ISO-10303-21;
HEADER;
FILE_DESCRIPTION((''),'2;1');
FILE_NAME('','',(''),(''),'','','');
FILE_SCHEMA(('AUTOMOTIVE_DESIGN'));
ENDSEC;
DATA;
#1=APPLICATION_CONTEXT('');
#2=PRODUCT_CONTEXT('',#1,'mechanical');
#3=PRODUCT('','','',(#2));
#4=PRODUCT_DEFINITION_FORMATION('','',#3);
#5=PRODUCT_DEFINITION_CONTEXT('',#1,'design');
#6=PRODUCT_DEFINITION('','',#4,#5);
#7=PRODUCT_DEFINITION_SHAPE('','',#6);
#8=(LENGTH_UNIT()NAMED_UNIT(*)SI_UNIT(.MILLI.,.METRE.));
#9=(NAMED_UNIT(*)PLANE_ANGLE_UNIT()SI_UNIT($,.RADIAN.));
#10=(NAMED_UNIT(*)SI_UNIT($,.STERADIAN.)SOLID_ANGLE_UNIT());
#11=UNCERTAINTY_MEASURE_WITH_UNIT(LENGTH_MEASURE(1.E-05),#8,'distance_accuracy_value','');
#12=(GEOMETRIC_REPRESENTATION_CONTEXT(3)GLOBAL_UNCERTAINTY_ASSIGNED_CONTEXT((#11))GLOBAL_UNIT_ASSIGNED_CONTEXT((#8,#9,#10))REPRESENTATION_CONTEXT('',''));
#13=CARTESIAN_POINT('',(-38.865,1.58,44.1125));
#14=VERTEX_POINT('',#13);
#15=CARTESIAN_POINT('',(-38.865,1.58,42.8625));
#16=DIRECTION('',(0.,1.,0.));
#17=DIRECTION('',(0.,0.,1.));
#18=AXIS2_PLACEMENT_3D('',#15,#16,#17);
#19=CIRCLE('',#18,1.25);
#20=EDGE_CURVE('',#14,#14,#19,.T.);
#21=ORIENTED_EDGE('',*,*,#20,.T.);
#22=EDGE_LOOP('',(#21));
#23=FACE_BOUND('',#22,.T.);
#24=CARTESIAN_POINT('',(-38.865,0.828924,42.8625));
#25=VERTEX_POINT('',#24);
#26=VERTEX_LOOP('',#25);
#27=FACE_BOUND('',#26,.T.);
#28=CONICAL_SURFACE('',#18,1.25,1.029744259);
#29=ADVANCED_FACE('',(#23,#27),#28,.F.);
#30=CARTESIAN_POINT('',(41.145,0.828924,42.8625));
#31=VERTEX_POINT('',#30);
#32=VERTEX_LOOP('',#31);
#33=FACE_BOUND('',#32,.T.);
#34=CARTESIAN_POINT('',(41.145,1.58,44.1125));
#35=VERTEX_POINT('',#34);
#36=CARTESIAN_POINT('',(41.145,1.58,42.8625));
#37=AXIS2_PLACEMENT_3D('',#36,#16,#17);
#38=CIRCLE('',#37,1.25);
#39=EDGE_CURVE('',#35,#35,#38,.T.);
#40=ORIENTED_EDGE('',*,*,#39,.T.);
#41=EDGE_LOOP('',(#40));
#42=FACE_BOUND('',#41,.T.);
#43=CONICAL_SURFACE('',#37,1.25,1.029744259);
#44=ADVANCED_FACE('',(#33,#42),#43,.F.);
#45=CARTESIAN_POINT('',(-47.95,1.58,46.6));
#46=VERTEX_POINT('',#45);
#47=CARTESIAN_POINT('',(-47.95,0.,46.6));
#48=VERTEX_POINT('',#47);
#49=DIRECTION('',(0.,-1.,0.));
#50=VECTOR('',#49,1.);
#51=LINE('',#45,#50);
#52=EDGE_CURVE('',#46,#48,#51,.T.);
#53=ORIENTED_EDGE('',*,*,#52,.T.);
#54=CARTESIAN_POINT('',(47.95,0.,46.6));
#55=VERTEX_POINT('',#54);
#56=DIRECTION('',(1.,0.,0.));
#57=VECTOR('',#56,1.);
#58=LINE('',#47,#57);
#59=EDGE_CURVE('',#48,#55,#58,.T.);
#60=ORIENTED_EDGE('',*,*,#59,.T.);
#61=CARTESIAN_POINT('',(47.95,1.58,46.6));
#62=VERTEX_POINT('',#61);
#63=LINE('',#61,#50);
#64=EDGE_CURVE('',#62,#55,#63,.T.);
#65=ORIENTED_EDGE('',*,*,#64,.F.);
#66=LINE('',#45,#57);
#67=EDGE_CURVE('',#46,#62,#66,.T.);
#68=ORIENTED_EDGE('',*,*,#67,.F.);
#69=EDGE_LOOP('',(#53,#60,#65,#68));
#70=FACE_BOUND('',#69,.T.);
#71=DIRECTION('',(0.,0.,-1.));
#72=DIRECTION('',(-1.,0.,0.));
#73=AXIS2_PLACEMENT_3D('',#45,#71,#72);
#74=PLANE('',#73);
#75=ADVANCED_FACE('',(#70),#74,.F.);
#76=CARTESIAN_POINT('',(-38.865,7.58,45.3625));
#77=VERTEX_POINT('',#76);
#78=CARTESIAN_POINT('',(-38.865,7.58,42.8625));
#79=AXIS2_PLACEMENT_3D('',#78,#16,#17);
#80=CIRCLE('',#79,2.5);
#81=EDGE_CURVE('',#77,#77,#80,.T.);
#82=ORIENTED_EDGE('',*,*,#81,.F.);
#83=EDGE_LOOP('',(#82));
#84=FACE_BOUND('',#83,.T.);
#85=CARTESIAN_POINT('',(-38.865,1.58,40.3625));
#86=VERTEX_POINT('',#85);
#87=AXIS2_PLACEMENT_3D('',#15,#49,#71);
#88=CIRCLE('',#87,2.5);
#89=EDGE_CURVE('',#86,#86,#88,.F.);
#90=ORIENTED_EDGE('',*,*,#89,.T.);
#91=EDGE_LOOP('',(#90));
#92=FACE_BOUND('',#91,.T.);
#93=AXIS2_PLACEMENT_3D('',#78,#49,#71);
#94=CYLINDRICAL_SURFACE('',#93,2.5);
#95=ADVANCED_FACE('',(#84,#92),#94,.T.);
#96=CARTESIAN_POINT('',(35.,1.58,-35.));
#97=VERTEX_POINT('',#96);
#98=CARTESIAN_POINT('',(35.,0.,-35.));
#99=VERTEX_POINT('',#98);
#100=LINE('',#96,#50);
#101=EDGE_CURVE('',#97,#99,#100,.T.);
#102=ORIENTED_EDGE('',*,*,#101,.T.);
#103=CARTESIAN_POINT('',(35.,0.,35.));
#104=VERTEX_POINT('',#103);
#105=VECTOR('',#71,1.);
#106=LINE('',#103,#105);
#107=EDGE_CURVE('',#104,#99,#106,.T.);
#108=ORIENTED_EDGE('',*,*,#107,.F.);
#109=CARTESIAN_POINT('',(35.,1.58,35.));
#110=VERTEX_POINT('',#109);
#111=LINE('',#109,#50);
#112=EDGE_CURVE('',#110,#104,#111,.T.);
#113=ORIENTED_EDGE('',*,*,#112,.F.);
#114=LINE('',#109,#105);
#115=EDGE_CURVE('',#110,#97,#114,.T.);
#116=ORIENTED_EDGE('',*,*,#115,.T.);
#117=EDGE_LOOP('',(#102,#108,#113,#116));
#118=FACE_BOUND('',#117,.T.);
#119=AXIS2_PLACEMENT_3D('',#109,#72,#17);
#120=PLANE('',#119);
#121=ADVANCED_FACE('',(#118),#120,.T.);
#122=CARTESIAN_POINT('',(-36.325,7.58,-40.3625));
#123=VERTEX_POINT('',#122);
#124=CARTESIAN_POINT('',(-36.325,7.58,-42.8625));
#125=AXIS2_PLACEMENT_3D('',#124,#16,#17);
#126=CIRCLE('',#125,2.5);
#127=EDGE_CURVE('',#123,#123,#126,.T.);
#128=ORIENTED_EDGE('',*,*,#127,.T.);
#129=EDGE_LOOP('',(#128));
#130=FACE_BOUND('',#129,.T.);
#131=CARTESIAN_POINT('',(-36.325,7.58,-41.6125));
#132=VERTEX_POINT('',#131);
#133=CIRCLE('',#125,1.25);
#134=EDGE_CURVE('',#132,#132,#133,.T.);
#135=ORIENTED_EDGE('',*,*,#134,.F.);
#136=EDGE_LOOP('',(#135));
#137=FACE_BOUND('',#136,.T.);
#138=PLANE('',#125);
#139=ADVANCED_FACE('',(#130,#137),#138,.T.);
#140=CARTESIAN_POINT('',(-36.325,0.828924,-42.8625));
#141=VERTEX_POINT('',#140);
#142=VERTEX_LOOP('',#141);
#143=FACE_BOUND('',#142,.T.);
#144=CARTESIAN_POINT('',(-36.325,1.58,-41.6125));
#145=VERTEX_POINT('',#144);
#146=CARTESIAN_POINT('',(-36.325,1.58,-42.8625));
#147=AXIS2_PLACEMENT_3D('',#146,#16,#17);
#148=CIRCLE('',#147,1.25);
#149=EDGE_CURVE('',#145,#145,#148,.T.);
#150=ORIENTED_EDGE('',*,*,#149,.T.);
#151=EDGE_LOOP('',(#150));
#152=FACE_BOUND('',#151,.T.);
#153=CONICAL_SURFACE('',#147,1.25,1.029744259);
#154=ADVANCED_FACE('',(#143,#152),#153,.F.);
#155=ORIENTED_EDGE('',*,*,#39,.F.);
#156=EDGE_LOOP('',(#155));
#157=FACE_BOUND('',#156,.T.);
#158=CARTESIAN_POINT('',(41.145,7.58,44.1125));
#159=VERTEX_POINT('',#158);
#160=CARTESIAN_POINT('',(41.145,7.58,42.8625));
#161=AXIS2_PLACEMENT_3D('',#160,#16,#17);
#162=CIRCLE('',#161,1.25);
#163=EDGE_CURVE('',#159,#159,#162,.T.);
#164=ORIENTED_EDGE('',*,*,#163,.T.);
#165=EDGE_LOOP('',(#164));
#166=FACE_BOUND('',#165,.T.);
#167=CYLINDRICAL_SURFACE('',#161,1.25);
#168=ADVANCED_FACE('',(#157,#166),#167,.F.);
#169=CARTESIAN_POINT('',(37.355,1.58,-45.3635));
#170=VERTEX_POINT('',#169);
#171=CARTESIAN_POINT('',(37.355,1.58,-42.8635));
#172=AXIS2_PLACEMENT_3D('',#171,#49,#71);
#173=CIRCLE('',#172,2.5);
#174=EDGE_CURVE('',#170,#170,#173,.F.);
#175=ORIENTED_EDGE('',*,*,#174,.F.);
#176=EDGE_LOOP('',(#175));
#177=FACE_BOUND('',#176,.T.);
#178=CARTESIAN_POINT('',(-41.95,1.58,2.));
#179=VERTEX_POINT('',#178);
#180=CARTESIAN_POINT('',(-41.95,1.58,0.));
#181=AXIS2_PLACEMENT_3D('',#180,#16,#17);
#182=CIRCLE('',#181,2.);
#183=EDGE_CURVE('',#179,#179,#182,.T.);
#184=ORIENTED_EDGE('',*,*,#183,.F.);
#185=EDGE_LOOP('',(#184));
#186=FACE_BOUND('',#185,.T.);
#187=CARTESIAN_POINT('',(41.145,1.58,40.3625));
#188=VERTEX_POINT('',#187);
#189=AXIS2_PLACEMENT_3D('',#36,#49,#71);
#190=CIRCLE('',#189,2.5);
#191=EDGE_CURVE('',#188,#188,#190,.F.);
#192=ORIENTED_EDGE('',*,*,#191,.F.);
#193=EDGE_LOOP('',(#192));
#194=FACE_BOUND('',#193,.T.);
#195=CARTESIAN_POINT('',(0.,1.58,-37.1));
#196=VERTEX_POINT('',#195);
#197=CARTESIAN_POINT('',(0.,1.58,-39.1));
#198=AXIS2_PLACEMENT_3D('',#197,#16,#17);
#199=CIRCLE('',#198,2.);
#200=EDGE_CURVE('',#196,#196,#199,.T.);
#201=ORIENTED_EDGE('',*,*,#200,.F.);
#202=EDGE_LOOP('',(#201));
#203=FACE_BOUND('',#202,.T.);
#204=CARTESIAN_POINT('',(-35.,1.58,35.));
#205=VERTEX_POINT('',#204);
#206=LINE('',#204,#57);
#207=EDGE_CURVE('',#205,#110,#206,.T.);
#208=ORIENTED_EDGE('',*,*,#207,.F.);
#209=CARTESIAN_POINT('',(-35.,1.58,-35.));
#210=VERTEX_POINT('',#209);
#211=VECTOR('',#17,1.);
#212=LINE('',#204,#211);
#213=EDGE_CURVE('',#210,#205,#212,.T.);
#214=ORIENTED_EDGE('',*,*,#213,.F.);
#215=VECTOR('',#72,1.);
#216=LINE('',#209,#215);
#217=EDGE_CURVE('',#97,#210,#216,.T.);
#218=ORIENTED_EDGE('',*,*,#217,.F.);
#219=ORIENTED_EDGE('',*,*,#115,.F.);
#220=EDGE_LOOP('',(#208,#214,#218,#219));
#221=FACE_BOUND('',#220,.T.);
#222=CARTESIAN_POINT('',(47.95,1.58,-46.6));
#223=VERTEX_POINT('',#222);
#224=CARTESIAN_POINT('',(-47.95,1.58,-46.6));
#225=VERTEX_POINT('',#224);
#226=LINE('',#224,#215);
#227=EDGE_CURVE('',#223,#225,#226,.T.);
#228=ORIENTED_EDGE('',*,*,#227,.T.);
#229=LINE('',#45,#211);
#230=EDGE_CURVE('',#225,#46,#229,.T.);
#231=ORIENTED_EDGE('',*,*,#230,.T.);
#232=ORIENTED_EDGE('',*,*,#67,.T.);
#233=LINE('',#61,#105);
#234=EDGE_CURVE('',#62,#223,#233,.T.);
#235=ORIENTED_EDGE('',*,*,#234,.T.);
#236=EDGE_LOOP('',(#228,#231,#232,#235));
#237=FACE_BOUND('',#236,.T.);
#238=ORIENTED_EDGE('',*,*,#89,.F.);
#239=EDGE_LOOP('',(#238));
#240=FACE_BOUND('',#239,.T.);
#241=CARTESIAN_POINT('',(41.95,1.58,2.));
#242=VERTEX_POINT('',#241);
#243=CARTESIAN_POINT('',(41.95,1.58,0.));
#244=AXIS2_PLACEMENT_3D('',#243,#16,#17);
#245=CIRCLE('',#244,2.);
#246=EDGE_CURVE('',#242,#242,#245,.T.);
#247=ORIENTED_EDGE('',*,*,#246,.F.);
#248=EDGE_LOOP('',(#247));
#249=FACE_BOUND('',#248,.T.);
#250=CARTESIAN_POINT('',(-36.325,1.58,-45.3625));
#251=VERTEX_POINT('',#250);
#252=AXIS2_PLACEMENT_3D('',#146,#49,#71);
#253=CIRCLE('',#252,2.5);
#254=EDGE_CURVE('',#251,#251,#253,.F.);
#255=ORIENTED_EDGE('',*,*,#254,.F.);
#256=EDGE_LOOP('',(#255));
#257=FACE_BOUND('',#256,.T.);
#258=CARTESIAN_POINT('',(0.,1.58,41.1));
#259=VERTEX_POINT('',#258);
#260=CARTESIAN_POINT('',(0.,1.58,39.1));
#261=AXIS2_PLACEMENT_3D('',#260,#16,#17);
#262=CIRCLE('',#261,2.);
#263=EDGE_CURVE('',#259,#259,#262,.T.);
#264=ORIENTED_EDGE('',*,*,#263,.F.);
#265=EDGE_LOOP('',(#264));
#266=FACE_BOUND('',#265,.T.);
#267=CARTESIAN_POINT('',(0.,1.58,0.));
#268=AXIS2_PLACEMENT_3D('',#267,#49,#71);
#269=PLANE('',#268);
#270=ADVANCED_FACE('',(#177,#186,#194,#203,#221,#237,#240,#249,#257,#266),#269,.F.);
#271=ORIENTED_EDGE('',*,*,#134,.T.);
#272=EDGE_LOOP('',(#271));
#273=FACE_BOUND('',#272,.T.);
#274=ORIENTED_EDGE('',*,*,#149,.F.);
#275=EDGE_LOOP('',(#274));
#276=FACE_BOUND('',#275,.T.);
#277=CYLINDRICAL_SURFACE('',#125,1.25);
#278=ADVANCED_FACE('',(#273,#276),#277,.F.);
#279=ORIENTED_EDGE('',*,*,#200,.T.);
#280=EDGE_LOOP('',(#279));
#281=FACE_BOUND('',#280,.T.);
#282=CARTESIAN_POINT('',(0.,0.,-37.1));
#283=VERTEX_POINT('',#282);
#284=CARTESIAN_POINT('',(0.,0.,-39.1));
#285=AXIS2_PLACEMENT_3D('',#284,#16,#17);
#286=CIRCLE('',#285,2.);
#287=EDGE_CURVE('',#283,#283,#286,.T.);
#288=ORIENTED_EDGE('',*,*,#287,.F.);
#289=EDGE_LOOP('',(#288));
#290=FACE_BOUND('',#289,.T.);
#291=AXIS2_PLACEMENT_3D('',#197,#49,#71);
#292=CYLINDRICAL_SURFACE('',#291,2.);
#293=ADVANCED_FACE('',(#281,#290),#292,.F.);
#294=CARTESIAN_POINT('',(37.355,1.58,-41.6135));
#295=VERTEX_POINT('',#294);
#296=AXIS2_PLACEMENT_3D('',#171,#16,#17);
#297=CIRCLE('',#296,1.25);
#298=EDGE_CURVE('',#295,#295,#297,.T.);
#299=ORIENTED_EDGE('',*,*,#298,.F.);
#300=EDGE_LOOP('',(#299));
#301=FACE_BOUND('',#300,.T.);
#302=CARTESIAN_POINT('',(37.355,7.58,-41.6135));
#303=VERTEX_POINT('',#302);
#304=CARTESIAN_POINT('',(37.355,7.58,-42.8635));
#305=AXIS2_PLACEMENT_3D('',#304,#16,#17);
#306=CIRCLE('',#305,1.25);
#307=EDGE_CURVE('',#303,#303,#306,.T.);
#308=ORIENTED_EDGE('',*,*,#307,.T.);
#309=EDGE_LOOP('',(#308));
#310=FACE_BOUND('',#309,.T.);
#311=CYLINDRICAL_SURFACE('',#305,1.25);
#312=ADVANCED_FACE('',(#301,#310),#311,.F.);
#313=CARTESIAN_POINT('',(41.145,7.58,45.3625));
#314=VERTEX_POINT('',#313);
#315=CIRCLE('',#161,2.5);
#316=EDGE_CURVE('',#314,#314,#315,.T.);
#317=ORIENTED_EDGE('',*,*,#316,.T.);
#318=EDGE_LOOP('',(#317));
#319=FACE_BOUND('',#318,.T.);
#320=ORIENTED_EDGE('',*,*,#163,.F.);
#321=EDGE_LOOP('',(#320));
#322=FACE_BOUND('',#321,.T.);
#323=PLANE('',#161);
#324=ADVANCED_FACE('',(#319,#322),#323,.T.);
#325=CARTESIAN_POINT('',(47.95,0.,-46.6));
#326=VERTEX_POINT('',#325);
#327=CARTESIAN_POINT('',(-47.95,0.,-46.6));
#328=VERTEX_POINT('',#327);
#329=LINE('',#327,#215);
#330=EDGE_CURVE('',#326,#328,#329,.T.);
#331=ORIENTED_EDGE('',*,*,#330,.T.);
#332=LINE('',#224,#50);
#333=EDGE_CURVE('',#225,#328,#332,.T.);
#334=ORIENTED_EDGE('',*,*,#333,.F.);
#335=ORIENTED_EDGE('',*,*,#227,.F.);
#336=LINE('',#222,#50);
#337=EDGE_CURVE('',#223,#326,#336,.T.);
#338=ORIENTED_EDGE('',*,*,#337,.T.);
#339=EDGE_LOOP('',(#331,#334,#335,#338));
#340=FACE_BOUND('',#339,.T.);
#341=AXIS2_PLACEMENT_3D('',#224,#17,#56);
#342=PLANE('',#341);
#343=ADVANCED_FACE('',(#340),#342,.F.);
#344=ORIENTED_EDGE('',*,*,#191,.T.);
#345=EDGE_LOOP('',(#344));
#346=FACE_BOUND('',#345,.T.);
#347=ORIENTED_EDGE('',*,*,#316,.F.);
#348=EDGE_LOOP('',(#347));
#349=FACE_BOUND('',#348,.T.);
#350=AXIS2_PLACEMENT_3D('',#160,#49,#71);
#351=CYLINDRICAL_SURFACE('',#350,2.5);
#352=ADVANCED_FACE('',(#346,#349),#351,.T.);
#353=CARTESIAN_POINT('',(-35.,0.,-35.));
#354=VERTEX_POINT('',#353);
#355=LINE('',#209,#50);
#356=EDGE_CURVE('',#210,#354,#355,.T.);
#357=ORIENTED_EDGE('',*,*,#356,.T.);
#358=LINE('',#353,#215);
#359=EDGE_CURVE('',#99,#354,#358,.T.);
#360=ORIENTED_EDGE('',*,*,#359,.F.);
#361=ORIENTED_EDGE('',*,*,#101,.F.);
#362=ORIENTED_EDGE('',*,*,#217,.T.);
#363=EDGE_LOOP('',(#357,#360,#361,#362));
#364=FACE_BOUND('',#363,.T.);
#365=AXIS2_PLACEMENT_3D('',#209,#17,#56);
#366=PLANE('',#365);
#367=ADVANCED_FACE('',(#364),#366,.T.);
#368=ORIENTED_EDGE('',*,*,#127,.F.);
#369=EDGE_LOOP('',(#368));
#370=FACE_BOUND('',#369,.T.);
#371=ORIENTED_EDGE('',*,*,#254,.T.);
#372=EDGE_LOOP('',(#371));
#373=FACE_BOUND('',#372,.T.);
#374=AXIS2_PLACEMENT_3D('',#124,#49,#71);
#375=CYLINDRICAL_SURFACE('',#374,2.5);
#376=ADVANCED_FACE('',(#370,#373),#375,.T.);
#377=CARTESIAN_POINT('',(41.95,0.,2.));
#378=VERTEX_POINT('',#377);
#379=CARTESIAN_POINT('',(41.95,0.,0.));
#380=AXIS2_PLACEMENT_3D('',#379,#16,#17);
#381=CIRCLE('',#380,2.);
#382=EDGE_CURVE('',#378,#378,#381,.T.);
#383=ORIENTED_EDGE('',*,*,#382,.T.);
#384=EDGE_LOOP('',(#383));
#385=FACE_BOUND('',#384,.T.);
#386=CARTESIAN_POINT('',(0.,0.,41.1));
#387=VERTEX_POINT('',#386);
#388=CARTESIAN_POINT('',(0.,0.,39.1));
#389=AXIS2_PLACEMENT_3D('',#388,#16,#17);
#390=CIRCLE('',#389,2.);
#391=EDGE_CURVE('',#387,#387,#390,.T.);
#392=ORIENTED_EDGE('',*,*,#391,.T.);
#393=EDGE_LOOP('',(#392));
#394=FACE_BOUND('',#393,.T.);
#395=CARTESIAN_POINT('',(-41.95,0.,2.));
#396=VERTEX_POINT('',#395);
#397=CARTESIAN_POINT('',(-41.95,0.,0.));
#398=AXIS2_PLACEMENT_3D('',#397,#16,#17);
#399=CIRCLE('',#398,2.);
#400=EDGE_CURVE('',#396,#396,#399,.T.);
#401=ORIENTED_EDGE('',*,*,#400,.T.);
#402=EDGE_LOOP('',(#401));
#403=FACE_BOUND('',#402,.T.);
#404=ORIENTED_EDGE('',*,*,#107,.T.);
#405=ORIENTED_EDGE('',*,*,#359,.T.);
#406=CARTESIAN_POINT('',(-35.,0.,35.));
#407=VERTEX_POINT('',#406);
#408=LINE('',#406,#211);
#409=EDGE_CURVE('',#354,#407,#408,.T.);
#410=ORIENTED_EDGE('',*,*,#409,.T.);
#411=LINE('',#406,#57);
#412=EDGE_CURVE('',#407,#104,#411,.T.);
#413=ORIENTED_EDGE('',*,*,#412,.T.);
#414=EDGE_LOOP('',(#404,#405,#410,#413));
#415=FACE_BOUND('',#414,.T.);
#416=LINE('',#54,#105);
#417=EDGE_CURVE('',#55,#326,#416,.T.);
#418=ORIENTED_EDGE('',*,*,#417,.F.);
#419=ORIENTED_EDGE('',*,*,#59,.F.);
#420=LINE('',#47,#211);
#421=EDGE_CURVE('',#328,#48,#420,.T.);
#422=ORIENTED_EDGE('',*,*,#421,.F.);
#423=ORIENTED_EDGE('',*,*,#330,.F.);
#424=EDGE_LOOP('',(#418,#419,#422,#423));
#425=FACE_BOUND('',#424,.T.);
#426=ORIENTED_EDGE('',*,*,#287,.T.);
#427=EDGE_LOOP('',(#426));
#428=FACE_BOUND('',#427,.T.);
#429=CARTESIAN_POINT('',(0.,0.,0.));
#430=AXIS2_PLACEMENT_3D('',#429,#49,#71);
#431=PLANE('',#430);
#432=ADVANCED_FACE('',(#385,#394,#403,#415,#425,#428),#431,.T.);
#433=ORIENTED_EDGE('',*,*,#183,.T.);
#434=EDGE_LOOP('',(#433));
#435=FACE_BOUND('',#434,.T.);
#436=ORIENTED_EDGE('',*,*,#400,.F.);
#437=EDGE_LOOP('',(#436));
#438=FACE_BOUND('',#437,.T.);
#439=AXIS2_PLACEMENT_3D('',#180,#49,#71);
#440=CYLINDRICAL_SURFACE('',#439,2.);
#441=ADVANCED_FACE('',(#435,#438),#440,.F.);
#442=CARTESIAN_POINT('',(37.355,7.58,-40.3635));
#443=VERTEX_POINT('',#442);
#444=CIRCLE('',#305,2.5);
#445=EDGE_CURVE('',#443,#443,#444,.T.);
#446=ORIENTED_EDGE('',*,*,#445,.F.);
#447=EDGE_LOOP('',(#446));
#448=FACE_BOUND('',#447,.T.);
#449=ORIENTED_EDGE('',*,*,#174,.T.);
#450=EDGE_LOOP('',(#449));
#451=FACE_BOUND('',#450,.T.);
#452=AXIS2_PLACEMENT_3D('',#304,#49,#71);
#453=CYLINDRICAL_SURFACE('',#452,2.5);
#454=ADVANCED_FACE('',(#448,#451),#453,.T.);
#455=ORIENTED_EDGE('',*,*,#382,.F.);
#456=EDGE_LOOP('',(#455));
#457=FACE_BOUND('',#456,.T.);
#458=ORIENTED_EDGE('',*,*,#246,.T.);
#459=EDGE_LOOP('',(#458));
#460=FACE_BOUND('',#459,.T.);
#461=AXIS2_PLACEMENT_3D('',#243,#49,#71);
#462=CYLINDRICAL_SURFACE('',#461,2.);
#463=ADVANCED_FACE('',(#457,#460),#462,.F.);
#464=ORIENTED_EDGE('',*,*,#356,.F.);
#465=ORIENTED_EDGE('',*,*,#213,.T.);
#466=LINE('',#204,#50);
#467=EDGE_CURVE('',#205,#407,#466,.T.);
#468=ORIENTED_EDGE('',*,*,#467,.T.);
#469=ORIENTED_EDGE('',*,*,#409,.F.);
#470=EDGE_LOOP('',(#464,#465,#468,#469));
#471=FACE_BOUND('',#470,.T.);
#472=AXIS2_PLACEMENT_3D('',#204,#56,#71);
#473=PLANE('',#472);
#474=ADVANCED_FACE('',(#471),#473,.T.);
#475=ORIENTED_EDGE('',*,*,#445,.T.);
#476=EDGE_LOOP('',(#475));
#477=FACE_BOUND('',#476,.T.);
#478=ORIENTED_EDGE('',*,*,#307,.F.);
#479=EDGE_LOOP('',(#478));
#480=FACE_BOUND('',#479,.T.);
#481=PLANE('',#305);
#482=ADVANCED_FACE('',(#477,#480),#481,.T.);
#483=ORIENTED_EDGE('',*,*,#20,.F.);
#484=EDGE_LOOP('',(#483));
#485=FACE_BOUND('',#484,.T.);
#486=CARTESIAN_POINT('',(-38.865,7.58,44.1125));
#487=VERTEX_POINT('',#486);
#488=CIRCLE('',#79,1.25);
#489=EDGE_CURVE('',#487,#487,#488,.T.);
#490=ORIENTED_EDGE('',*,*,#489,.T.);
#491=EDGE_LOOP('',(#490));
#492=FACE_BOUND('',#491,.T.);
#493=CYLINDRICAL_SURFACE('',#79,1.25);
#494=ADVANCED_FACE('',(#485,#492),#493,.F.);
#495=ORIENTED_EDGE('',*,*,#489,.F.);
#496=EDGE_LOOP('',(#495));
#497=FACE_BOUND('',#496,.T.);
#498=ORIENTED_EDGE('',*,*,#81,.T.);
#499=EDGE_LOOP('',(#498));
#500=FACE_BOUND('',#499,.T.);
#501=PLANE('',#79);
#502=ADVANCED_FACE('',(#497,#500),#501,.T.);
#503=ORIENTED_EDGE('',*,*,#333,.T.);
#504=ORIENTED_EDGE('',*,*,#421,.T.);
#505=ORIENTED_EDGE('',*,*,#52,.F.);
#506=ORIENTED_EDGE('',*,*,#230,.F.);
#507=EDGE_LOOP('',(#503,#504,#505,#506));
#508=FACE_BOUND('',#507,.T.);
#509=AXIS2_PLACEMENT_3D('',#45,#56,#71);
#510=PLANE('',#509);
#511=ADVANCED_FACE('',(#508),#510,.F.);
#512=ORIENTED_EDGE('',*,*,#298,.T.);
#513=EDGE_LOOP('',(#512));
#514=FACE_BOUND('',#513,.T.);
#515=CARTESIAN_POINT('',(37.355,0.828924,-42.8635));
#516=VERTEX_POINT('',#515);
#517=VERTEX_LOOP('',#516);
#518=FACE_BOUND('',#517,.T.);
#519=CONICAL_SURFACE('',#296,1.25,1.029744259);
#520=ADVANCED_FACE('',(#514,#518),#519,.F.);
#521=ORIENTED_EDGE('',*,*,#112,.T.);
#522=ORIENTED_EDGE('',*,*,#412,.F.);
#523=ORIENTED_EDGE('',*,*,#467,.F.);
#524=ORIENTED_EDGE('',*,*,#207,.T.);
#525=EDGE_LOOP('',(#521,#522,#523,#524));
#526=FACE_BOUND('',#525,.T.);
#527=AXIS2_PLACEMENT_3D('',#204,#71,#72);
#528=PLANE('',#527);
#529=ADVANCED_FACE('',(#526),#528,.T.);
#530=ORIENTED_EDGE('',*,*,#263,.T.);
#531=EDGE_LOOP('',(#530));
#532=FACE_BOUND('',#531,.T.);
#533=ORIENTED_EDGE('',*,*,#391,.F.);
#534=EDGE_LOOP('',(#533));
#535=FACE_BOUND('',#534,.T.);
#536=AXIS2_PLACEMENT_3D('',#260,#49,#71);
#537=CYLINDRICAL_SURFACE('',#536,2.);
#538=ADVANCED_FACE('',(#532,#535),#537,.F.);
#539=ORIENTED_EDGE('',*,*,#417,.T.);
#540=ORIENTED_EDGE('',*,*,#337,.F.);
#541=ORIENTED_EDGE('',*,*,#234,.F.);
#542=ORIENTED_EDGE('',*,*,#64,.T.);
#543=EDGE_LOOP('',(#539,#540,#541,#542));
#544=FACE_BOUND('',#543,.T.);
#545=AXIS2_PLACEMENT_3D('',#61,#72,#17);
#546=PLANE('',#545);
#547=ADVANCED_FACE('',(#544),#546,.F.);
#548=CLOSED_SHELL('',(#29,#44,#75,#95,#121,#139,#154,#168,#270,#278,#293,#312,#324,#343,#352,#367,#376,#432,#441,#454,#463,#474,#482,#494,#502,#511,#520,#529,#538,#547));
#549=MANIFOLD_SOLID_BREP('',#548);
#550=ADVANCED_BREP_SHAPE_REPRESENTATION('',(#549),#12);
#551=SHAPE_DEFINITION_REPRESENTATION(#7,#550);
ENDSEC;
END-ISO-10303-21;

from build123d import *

# Parameters (mm, degrees)
SKETCH1_W                 = 95.9
SKETCH1_H                 = 93.2
SKETCH1_R                 = 2
SKETCH1_W_2               = 70
SKETCH1_H_2               = 70
BOSS_EXTRUDE1_DEPTH       = 1.58
SKETCH2_R                 = 2.5
BOSS_EXTRUDE2_DEPTH       = 6
M3X0_5_TAPPED_HOLE2_D     = 2.5
M3X0_5_TAPPED_HOLE2_DEPTH = 6
M3X0_5_TAPPED_HOLE2_TIP   = 0.751075774


with BuildPart() as part:
    # Sketch1 → Boss-Extrude1 (new body)
    with BuildSketch(Plane(origin=(0, 0, 0), x_dir=(1, 0, 0), z_dir=(0, 1, 0))):
        Rectangle(SKETCH1_W, SKETCH1_H)
        with Locations((0, 39.1)):
            Circle(SKETCH1_R, mode=Mode.SUBTRACT)
        with Locations((41.95, 0)):
            Circle(SKETCH1_R, mode=Mode.SUBTRACT)
        with Locations((0, -39.1)):
            Circle(SKETCH1_R, mode=Mode.SUBTRACT)
        with Locations((-41.95, 0)):
            Circle(SKETCH1_R, mode=Mode.SUBTRACT)
        Rectangle(SKETCH1_W_2, SKETCH1_H_2, mode=Mode.SUBTRACT)
    extrude(amount=BOSS_EXTRUDE1_DEPTH)

    # Sketch2 → Boss-Extrude2 (add)
    with BuildSketch(Plane(origin=(0, 1.58, 0), x_dir=(1, 0, 0), z_dir=(0, 1, 0))):
        with Locations((37.355, 42.8635)):
            Circle(SKETCH2_R)
        with Locations((-36.325, 42.8625)):
            Circle(SKETCH2_R)
        with Locations((-38.865, -42.8625)):
            Circle(SKETCH2_R)
        with Locations((41.145, -42.8625)):
            Circle(SKETCH2_R)
    extrude(amount=BOSS_EXTRUDE2_DEPTH)

    # M3x0.5 Tapped Hole2
    with Locations(Plane(origin=(-36.325, 7.58, -42.8625), x_dir=(0, 0, 1), z_dir=(0, 1, 0))):
        with Locations((0, 0), (85.725, -2.54), (85.725, 77.47), (-0.001, 73.68)):
            Hole(M3X0_5_TAPPED_HOLE2_D / 2, depth=M3X0_5_TAPPED_HOLE2_DEPTH)
            with Locations((0, 0, -(M3X0_5_TAPPED_HOLE2_DEPTH + M3X0_5_TAPPED_HOLE2_TIP / 2))):  # 118° drill point
                Cone(0, M3X0_5_TAPPED_HOLE2_D / 2, M3X0_5_TAPPED_HOLE2_TIP, mode=Mode.SUBTRACT)


solid = part.part
